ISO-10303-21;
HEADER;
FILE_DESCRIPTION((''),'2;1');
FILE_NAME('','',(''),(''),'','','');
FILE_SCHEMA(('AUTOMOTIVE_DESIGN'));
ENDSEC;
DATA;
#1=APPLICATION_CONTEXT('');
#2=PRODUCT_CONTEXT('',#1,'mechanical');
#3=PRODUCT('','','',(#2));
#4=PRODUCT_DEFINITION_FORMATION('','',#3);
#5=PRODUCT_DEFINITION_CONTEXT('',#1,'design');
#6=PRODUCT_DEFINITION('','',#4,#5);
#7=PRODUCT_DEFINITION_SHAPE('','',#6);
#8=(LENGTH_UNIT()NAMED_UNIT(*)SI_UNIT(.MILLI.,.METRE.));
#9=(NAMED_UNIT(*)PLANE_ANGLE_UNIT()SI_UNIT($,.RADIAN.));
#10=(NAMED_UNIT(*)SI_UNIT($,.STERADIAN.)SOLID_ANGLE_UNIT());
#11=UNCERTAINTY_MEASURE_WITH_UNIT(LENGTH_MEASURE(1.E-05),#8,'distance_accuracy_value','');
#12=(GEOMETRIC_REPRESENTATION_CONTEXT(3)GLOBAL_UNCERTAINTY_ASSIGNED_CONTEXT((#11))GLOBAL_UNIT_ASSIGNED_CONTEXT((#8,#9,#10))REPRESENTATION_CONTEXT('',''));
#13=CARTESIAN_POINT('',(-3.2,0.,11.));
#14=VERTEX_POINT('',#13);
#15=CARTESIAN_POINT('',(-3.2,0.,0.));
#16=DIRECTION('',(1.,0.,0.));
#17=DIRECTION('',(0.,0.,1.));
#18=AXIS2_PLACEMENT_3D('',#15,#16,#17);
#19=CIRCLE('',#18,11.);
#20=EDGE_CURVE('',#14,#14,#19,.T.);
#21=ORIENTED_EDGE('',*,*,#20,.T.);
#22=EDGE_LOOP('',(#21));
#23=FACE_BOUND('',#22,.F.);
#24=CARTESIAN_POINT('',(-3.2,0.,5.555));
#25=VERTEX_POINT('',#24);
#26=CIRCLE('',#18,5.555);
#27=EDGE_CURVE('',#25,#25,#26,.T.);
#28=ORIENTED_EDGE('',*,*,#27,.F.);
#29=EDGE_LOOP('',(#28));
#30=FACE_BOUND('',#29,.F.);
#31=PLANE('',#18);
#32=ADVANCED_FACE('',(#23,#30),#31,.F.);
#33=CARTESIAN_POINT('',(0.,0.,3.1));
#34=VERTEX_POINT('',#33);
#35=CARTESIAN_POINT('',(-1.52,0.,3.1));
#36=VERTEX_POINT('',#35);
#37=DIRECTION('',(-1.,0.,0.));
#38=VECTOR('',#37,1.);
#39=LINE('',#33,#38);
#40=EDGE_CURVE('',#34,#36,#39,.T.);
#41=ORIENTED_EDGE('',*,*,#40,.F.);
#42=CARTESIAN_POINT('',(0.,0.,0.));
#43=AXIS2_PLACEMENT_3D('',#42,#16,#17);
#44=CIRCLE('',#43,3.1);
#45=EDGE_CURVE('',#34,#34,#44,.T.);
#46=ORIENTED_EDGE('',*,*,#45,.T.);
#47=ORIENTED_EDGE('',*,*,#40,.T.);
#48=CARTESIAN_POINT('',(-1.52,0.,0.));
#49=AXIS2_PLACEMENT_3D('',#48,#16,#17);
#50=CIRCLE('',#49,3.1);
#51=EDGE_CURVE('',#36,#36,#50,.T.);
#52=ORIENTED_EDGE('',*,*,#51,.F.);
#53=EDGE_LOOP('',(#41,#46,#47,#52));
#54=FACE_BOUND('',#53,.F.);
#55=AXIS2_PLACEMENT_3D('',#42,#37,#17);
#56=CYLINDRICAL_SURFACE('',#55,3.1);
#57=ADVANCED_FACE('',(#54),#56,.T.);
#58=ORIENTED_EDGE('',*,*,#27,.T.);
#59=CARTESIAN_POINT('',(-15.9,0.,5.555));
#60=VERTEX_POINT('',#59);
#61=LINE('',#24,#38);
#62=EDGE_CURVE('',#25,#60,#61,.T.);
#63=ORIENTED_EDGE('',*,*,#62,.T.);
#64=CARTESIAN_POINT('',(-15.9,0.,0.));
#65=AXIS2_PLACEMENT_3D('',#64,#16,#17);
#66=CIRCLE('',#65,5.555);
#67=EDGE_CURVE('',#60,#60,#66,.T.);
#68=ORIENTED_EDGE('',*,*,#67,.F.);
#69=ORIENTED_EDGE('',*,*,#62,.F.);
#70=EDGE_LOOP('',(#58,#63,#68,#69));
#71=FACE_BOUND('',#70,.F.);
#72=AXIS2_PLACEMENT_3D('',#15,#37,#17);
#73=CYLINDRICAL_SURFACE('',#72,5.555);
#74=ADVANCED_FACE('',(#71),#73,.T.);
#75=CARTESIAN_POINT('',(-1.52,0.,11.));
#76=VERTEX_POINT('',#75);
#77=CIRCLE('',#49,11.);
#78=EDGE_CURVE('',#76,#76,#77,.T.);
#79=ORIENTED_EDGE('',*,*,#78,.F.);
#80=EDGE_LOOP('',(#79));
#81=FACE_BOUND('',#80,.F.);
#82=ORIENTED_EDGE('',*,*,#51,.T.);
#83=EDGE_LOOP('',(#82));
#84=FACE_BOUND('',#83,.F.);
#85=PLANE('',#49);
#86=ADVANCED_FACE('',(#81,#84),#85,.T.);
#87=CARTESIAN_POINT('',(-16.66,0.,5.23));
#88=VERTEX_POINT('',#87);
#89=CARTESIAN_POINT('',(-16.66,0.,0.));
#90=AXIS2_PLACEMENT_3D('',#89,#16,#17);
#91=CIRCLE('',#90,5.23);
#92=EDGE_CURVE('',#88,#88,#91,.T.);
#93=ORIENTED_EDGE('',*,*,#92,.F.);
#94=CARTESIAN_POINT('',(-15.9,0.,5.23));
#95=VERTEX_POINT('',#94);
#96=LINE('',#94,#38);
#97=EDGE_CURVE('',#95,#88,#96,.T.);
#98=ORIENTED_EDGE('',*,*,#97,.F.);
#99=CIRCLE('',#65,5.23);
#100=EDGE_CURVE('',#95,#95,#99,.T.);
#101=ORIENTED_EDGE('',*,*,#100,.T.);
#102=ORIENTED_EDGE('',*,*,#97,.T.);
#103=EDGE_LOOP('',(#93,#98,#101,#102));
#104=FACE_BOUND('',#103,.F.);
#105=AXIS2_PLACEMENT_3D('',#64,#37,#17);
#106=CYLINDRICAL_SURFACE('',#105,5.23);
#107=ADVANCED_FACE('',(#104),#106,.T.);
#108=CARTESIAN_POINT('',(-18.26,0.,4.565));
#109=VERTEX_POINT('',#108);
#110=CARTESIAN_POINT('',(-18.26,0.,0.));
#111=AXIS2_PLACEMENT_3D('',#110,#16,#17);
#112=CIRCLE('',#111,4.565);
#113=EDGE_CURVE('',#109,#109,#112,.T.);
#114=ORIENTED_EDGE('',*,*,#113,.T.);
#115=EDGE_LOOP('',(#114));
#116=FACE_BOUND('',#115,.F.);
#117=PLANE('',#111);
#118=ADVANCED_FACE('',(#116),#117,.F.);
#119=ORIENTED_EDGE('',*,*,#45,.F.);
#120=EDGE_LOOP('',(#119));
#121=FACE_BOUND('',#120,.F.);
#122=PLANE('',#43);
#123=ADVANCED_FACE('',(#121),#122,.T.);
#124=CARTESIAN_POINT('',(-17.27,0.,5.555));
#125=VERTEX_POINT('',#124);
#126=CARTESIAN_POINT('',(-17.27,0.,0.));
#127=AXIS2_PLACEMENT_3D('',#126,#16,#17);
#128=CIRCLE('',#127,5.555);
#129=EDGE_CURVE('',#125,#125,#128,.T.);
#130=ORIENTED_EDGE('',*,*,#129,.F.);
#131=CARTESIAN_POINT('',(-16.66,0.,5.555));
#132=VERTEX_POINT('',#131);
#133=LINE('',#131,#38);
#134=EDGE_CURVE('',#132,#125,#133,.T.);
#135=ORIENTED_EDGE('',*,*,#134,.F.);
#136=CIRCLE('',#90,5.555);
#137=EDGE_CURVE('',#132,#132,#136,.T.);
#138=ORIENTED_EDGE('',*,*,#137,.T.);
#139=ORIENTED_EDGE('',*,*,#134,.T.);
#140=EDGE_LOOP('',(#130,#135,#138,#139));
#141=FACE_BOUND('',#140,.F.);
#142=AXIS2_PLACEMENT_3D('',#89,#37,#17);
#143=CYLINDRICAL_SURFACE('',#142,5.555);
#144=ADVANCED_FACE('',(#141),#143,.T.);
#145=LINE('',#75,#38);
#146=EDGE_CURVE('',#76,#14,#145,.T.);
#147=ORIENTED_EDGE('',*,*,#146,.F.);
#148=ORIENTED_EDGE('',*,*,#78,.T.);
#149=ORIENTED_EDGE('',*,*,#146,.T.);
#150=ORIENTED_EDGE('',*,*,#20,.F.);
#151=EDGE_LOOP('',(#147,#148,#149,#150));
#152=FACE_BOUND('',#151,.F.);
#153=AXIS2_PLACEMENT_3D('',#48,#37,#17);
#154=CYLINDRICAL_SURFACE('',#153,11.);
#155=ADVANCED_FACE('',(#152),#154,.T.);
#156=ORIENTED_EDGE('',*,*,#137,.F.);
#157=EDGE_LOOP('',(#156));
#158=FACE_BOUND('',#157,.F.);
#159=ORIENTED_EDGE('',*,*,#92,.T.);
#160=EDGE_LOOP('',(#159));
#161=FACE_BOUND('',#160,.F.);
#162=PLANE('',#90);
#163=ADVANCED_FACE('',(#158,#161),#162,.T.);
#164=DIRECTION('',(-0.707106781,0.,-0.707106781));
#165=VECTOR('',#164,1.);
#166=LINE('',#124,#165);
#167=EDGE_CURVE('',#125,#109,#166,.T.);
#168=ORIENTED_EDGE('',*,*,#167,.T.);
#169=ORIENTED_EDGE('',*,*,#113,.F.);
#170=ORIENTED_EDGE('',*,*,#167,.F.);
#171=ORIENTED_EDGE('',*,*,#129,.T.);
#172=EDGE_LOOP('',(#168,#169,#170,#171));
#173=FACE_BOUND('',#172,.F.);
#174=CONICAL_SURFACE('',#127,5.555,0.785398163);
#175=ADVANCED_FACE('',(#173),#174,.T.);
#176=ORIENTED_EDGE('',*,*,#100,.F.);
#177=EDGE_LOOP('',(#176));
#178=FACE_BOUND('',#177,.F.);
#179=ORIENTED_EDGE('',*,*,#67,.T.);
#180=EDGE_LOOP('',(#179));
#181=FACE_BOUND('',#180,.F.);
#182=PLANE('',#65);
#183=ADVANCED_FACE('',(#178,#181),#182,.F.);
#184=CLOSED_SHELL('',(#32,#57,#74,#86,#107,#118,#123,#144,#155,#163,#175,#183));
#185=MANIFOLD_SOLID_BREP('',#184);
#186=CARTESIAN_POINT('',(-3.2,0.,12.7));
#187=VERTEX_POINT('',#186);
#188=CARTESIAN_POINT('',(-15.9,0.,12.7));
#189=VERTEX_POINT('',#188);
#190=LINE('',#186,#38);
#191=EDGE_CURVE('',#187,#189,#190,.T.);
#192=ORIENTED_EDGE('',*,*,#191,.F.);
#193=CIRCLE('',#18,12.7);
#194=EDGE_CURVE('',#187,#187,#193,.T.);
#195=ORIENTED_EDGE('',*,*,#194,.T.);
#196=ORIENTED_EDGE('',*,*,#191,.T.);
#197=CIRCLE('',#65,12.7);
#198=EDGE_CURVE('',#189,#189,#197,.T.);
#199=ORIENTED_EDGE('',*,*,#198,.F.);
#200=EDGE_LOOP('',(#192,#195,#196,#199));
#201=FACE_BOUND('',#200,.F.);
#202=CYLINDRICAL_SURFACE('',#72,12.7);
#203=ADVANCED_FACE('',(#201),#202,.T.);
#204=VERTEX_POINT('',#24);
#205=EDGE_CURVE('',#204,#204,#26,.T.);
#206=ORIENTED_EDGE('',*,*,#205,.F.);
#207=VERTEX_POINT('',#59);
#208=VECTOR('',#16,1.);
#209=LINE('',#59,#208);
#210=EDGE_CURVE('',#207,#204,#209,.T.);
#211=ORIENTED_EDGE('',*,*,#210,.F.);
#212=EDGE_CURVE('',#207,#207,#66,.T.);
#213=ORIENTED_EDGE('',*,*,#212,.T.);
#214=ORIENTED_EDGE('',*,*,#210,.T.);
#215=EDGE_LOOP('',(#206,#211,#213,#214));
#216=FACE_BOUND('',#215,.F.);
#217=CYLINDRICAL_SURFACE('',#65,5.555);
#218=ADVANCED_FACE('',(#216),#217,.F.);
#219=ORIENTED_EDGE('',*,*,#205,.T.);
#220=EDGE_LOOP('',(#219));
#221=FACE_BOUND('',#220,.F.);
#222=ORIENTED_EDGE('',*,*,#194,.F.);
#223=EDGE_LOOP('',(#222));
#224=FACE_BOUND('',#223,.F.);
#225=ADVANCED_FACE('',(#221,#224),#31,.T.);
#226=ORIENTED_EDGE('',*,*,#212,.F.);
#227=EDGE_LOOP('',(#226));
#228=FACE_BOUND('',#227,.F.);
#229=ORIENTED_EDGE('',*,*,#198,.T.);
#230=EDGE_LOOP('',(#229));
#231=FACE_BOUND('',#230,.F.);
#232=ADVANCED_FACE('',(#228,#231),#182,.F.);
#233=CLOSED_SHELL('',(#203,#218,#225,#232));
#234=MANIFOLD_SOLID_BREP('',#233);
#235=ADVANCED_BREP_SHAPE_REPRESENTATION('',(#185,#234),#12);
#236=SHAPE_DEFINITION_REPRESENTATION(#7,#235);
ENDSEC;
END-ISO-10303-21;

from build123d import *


with BuildPart() as f1:
    # F0 (on Front) → F1 (revolve)
    with BuildSketch(Plane.XZ):
        Polygon((-18.26, 0), (0, 0), (0, 3.1), (-1.52, 3.1), (-1.52, 11), (-3.2, 11), (-3.2, 5.555), (-15.9, 5.555), (-15.9, 5.23), (-16.66, 5.23), (-16.66, 5.555), (-17.27, 5.555), (-18.26, 4.565), align=None)
    revolve(axis=Axis((-9.13, 0, 0), (1, 0, 0)))


with BuildPart() as f2:
    # F0 (on Front) → F2 (revolve)
    with BuildSketch(Plane.XZ):
        Polygon((-3.2, 5.555), (-3.2, 11), (-3.2, 12.7), (-15.9, 12.7), (-15.9, 5.555), align=None)
    revolve(axis=Axis((-9.13, 0, 0), (1, 0, 0)))


solid = Compound([f1.part, f2.part])
